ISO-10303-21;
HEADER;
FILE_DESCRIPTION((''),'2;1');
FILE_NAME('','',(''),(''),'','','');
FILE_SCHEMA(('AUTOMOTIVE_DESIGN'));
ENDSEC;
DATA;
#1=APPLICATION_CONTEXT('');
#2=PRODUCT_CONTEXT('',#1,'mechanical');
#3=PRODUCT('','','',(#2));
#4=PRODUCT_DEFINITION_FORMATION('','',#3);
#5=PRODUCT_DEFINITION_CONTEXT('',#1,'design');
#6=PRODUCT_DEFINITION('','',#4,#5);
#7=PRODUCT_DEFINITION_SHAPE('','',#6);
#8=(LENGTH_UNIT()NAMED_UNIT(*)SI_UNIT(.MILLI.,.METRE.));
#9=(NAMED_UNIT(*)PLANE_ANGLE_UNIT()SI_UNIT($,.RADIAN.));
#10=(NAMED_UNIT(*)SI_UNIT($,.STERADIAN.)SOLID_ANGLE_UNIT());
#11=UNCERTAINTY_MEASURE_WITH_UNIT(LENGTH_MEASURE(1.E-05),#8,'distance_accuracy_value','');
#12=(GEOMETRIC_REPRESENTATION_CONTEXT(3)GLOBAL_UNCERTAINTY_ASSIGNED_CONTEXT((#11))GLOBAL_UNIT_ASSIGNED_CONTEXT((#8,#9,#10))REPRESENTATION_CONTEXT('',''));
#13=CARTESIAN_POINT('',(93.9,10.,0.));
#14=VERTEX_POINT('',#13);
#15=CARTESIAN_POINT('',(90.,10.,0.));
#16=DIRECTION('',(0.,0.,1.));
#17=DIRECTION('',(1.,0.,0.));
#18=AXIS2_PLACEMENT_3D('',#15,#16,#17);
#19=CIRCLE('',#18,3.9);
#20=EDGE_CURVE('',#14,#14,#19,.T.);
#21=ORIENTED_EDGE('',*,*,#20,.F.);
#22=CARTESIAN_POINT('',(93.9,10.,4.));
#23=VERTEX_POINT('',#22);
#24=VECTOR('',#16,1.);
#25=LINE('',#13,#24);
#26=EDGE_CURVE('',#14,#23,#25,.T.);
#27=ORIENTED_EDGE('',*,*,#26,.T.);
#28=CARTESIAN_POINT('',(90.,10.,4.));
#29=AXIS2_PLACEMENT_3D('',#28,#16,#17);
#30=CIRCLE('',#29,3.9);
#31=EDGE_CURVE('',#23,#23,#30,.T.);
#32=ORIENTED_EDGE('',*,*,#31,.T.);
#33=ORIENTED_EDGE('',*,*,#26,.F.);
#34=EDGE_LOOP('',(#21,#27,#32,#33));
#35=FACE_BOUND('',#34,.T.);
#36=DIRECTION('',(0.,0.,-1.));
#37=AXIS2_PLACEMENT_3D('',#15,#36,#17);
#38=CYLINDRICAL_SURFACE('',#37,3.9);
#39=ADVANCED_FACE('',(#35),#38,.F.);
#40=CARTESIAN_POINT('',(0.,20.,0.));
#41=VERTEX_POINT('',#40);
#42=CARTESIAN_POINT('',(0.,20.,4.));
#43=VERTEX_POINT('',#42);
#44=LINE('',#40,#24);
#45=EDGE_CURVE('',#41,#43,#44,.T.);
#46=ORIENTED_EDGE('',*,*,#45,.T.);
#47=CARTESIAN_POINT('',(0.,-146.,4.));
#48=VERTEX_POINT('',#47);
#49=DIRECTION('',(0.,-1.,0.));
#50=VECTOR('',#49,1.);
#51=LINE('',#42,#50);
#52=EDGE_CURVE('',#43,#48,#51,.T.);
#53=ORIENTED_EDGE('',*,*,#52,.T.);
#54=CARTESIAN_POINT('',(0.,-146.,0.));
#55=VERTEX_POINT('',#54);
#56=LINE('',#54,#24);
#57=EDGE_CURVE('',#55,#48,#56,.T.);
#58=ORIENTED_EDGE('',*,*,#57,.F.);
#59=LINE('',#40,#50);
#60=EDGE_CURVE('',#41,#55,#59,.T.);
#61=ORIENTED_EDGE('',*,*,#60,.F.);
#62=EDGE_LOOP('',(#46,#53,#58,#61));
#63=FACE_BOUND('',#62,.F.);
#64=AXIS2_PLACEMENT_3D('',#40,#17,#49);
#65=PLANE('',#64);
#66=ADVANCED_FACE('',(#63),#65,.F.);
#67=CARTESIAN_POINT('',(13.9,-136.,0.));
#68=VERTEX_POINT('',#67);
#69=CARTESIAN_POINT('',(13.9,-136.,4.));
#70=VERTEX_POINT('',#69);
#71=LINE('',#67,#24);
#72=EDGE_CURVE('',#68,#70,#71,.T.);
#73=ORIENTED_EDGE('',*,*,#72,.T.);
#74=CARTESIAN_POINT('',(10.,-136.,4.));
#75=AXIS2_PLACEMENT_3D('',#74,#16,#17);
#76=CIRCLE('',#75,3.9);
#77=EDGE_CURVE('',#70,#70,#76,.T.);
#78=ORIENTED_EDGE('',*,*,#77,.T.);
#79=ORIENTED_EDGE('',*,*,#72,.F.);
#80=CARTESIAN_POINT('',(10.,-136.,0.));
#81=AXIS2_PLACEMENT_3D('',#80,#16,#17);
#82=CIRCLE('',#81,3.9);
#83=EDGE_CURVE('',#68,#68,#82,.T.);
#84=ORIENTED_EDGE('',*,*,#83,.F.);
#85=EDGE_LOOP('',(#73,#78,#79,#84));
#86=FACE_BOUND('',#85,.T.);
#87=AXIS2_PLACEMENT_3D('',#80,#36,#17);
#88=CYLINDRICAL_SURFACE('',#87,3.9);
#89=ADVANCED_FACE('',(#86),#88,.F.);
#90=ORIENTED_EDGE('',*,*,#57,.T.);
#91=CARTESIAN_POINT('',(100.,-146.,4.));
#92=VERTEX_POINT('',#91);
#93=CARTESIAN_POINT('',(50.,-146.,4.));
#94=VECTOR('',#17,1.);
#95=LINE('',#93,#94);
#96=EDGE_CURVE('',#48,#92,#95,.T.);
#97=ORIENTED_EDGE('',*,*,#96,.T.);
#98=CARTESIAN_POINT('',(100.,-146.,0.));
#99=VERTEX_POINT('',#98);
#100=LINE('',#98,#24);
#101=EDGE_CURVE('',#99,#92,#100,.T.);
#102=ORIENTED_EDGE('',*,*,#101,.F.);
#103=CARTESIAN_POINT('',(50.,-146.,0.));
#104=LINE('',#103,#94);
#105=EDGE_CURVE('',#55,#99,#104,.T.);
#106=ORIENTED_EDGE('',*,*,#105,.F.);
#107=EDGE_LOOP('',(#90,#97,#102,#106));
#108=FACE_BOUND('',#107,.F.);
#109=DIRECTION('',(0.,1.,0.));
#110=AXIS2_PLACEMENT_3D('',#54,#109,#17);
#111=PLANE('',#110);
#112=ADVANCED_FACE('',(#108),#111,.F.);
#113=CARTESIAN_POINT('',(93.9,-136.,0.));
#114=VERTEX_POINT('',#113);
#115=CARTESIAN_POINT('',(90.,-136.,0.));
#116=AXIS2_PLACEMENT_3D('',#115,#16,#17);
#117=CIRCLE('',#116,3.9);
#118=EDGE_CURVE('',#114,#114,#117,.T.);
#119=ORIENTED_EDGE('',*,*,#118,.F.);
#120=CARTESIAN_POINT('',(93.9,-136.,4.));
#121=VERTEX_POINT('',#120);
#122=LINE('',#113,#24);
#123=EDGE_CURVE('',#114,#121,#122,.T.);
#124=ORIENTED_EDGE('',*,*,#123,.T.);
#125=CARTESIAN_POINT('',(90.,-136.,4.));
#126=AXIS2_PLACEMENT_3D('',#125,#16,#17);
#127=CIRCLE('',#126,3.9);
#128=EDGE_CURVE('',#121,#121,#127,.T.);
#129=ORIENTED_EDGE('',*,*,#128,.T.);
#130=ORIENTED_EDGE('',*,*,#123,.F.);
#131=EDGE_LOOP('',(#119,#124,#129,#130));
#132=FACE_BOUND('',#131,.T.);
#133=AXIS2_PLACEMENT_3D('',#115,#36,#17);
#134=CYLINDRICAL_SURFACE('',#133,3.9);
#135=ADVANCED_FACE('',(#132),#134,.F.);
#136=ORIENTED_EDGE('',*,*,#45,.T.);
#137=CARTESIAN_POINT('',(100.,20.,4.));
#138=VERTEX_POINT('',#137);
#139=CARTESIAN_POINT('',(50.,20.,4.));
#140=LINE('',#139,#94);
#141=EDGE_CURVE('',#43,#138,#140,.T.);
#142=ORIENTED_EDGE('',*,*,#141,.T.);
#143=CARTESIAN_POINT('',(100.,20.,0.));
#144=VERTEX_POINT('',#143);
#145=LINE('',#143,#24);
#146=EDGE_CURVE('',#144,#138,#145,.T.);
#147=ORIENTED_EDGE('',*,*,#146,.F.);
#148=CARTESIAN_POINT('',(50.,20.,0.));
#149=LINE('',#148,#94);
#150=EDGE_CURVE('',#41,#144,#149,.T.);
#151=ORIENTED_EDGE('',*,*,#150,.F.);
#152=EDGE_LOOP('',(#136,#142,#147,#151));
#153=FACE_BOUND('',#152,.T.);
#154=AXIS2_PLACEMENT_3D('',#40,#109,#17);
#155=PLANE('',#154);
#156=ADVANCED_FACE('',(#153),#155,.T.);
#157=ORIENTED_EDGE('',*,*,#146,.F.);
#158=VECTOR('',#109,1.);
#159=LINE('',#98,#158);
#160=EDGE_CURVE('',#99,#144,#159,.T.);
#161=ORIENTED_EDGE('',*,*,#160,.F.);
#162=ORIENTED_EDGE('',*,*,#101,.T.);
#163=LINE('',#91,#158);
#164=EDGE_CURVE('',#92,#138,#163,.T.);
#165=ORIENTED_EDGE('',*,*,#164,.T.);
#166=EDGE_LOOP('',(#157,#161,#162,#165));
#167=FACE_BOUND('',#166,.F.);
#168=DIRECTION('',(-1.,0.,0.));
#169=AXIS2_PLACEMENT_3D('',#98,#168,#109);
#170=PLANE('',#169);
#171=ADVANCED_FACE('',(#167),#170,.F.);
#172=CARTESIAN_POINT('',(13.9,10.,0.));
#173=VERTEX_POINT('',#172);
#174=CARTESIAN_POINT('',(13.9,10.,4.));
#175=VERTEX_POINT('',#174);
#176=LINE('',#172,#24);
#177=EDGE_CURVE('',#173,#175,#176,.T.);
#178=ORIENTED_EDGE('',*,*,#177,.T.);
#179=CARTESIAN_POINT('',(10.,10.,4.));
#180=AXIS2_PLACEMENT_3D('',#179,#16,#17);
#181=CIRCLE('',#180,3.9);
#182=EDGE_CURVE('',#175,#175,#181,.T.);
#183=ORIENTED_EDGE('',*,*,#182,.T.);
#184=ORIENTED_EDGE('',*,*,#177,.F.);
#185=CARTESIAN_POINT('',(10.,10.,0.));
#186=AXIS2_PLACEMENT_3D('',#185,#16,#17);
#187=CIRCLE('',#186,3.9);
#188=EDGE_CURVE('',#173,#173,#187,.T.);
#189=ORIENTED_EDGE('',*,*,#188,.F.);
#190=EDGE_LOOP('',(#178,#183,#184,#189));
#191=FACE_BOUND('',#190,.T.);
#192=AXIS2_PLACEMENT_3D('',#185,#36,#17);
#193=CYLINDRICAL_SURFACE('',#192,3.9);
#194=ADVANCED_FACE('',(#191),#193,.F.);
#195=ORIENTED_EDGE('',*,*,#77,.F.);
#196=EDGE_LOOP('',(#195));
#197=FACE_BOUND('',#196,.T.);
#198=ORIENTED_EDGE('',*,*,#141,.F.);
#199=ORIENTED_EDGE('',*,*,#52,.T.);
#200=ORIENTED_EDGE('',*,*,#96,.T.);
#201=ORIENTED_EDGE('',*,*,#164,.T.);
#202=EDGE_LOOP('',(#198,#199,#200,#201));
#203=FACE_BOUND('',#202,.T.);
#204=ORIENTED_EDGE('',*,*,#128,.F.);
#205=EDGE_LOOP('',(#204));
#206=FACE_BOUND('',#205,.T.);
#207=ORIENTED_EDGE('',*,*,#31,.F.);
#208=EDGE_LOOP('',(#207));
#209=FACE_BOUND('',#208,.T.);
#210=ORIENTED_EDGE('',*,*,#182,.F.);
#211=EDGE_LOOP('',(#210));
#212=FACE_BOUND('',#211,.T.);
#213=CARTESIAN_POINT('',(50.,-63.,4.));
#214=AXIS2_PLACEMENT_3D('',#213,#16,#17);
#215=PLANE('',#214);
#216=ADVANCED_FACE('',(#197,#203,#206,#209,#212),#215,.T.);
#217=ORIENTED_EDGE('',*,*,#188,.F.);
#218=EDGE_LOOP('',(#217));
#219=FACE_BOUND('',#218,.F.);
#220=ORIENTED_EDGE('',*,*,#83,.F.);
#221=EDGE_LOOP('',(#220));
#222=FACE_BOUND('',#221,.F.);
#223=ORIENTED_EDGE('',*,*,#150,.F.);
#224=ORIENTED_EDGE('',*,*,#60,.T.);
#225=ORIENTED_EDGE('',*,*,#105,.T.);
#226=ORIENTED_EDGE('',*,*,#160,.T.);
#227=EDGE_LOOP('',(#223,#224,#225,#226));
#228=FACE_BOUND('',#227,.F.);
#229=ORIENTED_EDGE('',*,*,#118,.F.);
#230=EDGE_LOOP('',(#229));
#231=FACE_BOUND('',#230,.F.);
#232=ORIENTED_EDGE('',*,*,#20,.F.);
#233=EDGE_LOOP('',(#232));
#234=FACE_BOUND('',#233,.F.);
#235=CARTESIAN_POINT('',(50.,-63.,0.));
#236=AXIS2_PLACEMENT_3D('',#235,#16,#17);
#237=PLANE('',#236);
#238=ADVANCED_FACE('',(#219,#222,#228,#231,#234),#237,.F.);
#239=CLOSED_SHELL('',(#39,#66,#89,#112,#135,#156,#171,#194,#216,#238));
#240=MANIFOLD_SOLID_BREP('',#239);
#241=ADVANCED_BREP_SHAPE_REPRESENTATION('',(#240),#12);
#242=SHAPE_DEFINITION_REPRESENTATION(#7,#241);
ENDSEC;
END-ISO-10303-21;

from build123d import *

# Parameters (mm, degrees)
F0_W     = 100
F0_H     = 126
F0_H_2   = 20
F0_R     = 3.9
F1_DEPTH = 4


with BuildPart() as f1:
    # F0 (on Top) → F1 (new body)
    with BuildSketch(Plane.XY):
        with Locations((50, -63)):
            Rectangle(F0_W, F0_H)
        with Locations((50, 10)):
            Rectangle(F0_W, F0_H_2)
        with Locations((10, 10)):
            Circle(F0_R, mode=Mode.SUBTRACT)
        with Locations((90, 10)):
            Circle(F0_R, mode=Mode.SUBTRACT)
        with Locations((50, -136)):
            Rectangle(F0_W, F0_H_2)
        with Locations((10, -136)):
            Circle(F0_R, mode=Mode.SUBTRACT)
        with Locations((90, -136)):
            Circle(F0_R, mode=Mode.SUBTRACT)
    extrude(amount=F1_DEPTH)


solid = f1.part
